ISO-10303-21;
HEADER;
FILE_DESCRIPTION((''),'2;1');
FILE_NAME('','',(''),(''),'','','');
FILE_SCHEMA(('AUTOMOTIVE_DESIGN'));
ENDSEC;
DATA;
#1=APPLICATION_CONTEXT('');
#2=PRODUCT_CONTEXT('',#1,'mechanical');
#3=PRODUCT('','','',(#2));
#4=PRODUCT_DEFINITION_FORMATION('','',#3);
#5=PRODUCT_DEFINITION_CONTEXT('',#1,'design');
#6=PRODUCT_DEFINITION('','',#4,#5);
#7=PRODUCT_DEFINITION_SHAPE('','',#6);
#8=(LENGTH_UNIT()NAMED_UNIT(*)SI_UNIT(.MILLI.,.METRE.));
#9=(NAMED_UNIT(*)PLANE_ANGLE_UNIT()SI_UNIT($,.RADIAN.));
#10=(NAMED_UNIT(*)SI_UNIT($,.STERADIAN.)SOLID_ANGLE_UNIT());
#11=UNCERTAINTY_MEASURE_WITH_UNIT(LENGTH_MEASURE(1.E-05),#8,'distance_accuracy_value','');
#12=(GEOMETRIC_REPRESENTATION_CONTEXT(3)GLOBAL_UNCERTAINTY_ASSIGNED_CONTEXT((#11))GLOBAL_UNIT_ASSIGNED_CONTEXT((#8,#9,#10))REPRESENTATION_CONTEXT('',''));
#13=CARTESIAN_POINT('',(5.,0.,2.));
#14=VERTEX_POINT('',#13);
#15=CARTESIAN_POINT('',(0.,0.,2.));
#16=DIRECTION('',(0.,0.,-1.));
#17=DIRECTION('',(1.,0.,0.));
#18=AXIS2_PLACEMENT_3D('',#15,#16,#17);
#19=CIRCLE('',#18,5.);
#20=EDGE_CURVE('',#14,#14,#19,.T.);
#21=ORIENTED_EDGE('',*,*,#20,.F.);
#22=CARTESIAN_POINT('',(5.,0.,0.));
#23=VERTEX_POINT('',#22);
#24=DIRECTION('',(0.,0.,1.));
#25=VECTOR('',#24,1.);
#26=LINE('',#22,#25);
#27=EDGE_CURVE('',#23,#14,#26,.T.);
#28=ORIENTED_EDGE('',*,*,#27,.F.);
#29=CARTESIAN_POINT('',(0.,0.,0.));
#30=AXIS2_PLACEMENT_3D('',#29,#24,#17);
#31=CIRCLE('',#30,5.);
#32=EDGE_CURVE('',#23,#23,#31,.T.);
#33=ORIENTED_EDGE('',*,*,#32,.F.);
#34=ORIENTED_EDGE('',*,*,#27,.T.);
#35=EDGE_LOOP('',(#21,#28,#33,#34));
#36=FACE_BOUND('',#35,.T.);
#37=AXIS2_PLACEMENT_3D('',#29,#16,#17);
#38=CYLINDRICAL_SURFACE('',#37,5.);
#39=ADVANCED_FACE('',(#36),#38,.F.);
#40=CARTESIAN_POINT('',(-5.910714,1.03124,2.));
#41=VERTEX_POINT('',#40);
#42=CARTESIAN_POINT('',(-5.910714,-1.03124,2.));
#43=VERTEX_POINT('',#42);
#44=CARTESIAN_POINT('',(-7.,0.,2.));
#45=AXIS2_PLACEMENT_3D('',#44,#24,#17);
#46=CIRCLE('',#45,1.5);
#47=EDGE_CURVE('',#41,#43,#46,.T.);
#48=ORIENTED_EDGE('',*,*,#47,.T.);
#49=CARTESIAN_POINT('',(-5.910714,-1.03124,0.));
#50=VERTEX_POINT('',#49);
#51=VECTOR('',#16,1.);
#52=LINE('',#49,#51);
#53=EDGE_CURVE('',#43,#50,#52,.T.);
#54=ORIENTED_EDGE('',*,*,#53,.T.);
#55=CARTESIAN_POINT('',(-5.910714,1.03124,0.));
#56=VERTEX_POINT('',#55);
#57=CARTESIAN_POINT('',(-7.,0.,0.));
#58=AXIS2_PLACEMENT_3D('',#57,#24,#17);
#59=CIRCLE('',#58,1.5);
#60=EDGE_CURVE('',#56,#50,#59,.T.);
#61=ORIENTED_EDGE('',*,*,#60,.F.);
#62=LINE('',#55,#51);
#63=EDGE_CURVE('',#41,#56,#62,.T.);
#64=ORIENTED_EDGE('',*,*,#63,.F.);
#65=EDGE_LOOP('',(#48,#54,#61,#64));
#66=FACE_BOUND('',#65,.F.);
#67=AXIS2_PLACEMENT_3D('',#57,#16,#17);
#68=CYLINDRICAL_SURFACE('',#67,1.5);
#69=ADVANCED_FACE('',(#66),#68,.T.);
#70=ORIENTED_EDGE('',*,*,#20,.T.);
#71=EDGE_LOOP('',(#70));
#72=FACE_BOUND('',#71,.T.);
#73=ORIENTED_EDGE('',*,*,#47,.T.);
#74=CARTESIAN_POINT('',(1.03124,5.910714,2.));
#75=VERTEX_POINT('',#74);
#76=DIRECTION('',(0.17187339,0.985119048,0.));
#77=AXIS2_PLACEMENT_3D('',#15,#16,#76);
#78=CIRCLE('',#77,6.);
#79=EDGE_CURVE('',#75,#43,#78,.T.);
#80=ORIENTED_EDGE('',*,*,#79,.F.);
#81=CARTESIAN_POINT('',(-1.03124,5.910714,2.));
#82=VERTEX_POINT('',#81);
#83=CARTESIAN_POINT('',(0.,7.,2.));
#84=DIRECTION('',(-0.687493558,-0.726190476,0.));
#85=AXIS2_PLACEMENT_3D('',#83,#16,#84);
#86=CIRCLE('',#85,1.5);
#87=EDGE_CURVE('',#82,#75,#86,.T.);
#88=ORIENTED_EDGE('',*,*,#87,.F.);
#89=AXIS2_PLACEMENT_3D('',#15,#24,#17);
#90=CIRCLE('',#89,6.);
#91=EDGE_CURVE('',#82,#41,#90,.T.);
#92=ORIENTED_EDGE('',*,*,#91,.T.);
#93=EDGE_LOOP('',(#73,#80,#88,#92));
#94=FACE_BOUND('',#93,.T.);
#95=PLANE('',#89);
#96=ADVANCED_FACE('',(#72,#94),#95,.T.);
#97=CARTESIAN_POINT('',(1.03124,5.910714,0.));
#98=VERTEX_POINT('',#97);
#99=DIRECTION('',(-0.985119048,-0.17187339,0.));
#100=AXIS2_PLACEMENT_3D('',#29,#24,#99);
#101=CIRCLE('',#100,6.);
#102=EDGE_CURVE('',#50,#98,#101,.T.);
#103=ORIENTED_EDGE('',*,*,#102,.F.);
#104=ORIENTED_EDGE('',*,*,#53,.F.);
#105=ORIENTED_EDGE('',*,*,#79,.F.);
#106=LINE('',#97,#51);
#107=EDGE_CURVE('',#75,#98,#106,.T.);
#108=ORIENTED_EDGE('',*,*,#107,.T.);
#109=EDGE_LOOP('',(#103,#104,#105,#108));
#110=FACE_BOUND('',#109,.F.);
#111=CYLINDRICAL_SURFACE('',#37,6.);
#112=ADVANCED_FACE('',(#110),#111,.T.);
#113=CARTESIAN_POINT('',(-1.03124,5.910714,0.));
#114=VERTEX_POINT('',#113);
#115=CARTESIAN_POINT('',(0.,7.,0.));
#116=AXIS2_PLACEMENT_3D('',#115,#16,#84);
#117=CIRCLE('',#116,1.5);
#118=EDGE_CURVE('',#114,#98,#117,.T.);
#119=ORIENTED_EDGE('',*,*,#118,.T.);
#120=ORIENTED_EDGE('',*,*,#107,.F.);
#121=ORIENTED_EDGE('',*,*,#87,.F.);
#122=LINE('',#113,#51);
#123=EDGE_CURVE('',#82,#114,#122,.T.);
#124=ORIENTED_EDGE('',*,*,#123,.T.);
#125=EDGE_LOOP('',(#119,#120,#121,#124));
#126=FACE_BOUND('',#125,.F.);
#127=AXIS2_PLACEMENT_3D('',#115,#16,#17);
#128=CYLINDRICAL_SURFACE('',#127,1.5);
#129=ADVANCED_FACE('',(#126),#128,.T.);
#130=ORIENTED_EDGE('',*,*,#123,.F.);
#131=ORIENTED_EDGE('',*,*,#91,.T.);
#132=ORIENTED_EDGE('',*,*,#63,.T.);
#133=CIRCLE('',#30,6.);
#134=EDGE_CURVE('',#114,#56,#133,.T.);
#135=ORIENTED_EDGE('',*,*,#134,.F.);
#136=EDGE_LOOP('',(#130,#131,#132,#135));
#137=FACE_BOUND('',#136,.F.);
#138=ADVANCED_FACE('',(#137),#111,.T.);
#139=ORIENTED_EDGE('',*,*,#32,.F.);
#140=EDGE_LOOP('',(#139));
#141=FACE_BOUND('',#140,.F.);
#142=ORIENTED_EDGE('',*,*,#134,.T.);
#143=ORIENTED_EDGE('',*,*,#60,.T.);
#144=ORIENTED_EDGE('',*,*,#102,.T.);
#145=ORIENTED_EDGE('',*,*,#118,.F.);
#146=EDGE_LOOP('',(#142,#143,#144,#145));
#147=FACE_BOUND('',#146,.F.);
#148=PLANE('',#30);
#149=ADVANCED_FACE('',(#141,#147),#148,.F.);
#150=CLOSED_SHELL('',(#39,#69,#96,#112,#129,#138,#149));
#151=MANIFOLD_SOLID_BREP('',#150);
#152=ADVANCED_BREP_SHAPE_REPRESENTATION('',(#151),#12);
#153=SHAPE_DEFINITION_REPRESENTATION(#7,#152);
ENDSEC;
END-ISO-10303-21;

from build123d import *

# Parameters (mm, degrees)
CYLINDER003_R     = 1.5
CYLINDER003_DEPTH = 2
CYLINDER001_R     = 5
CYLINDER001_DEPTH = 3
CYLINDER_R        = 6
CYLINDER_DEPTH    = 2
CYLINDER002_R     = 1.5
CYLINDER002_DEPTH = 2


with BuildPart() as cylinder003:
    # Cylinder003 → Cylinder003 (new body)
    with BuildSketch(Plane(origin=(0, 7, 0), x_dir=(1, 0, 0), z_dir=(0, 0, 1))):
        Circle(CYLINDER003_R)
    extrude(amount=CYLINDER003_DEPTH)


with BuildPart() as cylinder001:
    # Cylinder001 → Cylinder001 (new body)
    with BuildSketch(Plane.XY):
        Circle(CYLINDER001_R)
    extrude(amount=CYLINDER001_DEPTH)


with BuildPart() as cut:
    # Cylinder → Cylinder (new body)
    with BuildSketch(Plane.XY):
        Circle(CYLINDER_R)
    extrude(amount=CYLINDER_DEPTH)

    # Cut: cut Cylinder001
    add(cylinder001.part, mode=Mode.SUBTRACT)


with BuildPart() as fusion:
    # Cylinder002 → Cylinder002 (new body)
    with BuildSketch(Plane(origin=(-7, 0, 0), x_dir=(1, 0, 0), z_dir=(0, 0, 1))):
        Circle(CYLINDER002_R)
    extrude(amount=CYLINDER002_DEPTH)

    # Fusion: union Cylinder003, Cut
    add(cylinder003.part)
    add(cut.part)


solid = fusion.part
